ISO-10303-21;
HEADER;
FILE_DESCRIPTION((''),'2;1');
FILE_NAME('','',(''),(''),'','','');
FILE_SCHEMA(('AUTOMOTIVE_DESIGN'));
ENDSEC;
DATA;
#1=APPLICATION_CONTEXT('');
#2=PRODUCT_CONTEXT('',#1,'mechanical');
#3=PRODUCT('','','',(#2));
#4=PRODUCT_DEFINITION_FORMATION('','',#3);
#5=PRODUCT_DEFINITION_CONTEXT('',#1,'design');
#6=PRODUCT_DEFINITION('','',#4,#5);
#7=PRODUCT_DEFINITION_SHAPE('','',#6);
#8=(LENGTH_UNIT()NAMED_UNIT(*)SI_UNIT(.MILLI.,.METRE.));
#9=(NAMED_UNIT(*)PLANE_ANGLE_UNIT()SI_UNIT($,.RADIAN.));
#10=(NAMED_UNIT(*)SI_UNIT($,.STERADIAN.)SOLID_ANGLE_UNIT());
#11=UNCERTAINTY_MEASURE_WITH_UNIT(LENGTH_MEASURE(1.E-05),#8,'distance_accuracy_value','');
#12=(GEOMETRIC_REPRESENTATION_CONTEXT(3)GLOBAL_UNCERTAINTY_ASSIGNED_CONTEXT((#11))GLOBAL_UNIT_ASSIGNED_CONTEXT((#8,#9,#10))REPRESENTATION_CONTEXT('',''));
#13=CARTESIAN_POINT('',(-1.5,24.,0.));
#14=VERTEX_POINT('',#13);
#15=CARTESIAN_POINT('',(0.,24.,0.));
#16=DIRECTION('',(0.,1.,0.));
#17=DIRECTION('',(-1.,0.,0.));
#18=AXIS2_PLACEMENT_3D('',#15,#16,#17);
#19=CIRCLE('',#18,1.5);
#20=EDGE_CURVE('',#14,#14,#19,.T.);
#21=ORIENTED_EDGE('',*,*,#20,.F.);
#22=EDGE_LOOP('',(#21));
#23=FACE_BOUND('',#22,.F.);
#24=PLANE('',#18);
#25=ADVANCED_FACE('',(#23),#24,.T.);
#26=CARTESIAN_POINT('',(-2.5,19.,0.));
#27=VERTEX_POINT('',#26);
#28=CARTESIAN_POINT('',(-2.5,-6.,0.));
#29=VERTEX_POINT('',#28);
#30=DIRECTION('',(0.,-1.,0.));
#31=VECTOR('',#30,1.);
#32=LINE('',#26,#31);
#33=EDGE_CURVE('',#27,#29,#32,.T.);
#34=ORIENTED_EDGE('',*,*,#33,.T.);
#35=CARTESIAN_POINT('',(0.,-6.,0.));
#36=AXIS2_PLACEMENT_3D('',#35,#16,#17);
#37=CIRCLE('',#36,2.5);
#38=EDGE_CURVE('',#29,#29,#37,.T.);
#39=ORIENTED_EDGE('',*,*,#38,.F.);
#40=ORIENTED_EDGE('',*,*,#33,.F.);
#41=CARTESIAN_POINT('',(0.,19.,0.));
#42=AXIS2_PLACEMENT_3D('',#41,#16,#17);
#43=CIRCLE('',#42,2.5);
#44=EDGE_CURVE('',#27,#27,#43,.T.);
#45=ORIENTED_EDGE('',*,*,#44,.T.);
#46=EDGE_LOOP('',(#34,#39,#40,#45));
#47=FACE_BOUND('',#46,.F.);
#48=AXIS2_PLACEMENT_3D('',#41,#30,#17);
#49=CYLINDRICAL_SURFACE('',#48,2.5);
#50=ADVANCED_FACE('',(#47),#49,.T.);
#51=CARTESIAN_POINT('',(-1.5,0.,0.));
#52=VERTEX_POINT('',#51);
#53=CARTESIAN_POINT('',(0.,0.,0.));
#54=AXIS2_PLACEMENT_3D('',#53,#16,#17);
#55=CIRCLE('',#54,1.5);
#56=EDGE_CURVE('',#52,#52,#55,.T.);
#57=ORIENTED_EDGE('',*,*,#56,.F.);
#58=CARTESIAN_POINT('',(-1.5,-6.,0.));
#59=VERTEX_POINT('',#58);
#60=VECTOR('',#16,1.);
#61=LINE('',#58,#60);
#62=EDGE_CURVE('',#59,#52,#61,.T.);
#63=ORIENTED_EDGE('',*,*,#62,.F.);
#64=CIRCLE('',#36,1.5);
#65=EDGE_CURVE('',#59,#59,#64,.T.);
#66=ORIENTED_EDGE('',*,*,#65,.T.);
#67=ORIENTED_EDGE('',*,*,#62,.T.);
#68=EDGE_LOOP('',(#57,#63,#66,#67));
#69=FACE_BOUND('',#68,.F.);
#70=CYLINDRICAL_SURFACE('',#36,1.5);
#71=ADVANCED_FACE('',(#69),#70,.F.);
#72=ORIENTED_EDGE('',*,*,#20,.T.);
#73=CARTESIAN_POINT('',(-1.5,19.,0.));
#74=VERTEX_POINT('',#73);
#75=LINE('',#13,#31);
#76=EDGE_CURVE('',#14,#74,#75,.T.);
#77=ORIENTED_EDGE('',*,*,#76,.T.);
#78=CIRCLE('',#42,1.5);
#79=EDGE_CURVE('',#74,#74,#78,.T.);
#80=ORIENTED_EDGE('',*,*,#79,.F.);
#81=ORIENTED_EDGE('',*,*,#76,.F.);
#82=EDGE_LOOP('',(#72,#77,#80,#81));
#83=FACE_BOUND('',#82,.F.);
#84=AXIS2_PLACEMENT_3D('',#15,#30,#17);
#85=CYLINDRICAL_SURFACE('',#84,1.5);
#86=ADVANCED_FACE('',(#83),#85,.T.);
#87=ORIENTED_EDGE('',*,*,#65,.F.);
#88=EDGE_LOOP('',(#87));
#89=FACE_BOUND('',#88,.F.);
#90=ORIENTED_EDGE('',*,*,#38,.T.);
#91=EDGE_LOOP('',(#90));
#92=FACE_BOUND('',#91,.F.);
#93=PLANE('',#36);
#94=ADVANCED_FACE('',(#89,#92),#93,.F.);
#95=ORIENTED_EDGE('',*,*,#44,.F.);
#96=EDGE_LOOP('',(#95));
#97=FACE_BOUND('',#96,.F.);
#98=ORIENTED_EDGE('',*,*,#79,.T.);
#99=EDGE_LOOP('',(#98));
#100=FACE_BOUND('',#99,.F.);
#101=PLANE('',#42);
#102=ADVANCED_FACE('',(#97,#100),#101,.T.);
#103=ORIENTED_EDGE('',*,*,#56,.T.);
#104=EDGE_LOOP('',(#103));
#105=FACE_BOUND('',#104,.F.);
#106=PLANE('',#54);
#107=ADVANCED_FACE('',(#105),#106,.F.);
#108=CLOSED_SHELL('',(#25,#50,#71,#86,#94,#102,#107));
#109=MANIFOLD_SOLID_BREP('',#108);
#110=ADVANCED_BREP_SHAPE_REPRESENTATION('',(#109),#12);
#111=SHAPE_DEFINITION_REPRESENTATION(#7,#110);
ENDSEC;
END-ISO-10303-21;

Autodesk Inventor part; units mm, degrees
ref_plane "YZ Plane" through (0, 0, 0) normal (1, 0, 0) x (0, 1, 0)
ref_plane "XZ Plane" through (0, 0, 0) normal (0, 1, 0) x (-1, 0, 0)
ref_plane "XY Plane" through (0, 0, 0) normal (0, 0, 1) x (1, 0, 0)
sketch "Sketch1" plane through (0, 0, 0) normal (0, 0, 1) x (1, 0, 0)
  line L0 (0, 24) -> (-1.5, 24)
  line L1 (-1.5, 24) -> (-1.5, 19)
  line L2 (-1.5, 19) -> (-2.5, 19)
  line L3 (-2.5, 19) -> (-2.5, -6)
  line L4 (-2.5, -6) -> (-1.5, -6)
  line L5 (-1.5, -6) -> (-1.5, 0)
  line L6 (-1.5, 0) -> (0, 0)
  line L7 (0, 0) -> (0, 24)
  dimension "d0" = 1.5
  dimension "d2" = 2.5
  dimension "d4" = 5
  dimension "d5" = 25
  dimension "d9" = 6
revolve "Revolution1" add sketch "Sketch1" angle 360 about axis through (0, 0, 0) along (0, 1, 0)
thread "Thread1" size "M3x0.5" class "6g" standard "ANSI Metric M Profile" full length
thread "Thread2" size "M3x0.5" class "6H" standard "ANSI Metric M Profile" full length
properties part number "Fitting-3" material "Brass"
